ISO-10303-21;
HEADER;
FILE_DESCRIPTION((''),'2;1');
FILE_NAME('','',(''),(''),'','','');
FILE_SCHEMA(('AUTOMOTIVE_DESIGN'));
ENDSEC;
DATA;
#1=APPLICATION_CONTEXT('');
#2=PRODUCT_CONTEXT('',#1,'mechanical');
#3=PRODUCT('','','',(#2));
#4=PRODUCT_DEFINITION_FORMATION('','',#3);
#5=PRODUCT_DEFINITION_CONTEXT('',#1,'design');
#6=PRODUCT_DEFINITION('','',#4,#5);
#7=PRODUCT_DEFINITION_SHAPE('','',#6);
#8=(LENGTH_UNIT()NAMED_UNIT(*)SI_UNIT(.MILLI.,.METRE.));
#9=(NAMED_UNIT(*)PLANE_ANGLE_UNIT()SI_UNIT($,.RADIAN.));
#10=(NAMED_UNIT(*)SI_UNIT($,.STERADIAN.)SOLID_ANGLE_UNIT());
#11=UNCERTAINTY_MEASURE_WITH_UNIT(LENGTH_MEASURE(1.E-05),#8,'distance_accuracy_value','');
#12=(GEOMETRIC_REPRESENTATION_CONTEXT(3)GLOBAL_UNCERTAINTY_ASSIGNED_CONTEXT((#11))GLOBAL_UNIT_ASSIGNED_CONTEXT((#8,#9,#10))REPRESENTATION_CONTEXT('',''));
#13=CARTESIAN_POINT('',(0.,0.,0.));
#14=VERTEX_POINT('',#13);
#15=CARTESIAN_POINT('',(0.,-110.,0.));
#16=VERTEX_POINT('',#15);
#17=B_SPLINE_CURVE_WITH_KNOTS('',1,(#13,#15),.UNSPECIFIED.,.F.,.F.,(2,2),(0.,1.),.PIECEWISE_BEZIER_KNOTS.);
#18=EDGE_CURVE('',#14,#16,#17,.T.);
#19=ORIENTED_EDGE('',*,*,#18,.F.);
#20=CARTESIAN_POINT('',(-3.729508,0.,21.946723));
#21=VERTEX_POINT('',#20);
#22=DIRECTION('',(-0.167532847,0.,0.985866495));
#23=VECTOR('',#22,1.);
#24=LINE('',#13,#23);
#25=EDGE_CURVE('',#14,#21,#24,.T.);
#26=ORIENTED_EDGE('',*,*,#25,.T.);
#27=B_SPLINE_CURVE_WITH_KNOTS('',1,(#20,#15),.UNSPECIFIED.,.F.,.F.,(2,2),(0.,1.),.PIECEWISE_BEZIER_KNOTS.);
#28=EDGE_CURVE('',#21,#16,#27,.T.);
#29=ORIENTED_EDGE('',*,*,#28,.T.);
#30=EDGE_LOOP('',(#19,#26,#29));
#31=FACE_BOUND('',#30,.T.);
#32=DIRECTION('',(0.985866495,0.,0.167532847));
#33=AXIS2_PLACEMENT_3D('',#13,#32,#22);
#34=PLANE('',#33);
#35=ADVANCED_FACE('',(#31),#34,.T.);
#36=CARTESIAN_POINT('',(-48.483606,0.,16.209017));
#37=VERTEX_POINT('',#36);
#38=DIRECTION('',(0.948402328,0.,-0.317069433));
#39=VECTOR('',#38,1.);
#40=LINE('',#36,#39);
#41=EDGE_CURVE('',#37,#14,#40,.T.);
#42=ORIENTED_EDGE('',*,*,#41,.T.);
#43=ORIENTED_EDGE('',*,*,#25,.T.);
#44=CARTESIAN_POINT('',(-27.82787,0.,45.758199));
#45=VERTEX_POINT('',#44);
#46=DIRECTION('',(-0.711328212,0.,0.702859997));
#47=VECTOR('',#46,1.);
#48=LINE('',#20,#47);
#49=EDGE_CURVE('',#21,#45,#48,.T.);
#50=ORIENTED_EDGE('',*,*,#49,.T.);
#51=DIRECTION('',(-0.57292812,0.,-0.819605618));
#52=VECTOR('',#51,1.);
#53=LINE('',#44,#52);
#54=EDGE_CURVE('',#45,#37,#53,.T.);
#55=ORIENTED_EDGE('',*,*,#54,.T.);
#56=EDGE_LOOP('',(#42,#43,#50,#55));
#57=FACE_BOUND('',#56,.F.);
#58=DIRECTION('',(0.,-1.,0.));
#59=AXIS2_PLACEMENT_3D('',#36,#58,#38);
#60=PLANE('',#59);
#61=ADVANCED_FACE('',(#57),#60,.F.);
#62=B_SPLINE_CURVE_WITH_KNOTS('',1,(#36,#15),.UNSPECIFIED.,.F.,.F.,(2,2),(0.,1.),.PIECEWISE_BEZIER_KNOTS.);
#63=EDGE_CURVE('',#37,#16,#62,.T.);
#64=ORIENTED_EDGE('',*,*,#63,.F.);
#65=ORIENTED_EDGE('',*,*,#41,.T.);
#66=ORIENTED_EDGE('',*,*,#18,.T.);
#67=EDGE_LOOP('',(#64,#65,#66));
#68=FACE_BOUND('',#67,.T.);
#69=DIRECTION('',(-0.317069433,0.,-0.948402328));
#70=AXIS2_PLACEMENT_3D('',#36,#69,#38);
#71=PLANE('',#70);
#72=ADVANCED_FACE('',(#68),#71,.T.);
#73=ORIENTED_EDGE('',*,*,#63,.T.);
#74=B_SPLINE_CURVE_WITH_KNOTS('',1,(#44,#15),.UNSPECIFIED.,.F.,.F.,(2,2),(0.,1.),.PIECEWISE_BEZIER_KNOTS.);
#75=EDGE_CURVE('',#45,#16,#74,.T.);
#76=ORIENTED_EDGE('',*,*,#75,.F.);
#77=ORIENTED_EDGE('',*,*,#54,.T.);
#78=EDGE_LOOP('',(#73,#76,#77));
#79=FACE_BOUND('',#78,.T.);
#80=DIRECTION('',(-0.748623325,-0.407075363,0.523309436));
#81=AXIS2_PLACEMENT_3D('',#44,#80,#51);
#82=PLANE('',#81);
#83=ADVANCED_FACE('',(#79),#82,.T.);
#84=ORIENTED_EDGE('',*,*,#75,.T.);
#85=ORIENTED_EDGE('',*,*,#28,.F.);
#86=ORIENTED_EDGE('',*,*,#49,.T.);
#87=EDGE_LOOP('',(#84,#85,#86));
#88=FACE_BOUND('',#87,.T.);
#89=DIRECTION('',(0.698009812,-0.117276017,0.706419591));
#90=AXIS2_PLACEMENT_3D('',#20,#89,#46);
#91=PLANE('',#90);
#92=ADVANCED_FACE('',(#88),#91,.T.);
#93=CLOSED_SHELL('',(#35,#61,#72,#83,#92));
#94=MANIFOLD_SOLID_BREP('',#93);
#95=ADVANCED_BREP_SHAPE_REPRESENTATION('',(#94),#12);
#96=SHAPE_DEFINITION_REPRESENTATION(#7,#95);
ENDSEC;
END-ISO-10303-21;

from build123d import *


with BuildPart() as f3:
    # F0 (on Front) → F3 section 0
    with BuildSketch(Plane.XZ, mode=Mode.PRIVATE) as f3_s0:
        Polygon((-48.483606, 16.209017), (0, 0), (-3.729508, 21.946723), (-27.82787, 45.758199), align=None)
    loft([f3_s0.sketch, Vertex(0, -110, 0)])


solid = f3.part
